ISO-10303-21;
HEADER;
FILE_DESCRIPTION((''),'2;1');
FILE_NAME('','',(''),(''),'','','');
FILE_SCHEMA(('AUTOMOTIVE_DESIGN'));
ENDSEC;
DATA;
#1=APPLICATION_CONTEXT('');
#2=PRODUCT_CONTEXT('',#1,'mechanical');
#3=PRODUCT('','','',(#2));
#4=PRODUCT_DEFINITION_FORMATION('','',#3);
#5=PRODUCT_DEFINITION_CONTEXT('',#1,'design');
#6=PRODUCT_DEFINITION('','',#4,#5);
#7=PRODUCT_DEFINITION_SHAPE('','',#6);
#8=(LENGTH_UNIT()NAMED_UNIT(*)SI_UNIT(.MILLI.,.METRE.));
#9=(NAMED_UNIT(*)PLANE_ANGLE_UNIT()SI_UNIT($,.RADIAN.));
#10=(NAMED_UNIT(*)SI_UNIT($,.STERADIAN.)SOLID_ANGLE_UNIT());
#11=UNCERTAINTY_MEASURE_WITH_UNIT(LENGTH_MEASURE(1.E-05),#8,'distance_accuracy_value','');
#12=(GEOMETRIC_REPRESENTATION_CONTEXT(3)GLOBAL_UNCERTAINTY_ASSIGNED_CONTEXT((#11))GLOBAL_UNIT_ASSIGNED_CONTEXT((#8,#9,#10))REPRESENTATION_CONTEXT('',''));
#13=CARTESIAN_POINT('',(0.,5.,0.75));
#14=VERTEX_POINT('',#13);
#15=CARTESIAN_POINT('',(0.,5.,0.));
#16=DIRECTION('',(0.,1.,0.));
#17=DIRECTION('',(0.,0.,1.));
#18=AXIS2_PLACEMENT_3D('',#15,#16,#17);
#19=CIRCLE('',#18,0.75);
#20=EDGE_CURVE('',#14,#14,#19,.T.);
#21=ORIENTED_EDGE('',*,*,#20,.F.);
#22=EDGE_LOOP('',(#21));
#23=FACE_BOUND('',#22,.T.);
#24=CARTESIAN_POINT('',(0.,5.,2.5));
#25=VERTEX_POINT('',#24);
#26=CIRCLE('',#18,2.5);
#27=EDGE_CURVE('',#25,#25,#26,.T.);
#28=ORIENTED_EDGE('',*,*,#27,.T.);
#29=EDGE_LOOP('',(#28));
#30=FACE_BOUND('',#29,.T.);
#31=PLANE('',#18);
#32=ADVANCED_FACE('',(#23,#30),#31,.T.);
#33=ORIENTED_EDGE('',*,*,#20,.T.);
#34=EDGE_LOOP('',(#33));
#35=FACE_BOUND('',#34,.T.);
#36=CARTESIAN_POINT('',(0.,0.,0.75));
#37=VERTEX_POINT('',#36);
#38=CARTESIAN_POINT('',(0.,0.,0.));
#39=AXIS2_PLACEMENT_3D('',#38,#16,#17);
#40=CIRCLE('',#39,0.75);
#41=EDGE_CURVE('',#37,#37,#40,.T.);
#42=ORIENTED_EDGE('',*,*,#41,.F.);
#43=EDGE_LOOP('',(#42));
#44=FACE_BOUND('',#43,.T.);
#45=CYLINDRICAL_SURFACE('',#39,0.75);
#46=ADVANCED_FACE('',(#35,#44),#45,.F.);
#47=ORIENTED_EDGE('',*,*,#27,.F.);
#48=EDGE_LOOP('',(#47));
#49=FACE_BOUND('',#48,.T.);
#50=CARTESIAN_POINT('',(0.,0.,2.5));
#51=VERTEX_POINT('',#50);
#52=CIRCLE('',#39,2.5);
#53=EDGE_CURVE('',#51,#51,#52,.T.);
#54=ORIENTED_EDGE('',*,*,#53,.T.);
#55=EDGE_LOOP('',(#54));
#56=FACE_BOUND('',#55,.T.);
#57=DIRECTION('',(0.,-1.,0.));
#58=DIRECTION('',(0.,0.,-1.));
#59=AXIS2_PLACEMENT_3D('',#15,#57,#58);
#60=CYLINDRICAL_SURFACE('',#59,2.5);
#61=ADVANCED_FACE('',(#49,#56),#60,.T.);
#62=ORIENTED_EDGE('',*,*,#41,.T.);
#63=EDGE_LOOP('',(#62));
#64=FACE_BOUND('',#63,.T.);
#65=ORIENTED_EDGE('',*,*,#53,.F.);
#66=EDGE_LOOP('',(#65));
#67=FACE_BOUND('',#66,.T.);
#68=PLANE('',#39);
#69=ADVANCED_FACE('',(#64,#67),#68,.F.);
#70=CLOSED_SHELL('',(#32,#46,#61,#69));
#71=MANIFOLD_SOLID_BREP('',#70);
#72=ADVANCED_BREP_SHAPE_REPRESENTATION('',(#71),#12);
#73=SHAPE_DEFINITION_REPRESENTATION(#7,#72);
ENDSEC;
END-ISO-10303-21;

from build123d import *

# Parameters (mm, degrees)
SKETCH1_R           = 2.5
BOSS_EXTRUDE1_DEPTH = 5
SKETCH2_R           = 0.75
CUT_EXTRUDE1_DEPTH  = 5


with BuildPart() as part:
    # Sketch1 → Boss-Extrude1 (new body)
    with BuildSketch(Plane(origin=(0, 0, 0), x_dir=(1, 0, 0), z_dir=(0, 1, 0))):
        with Locations(Location((0, 0, 0), (0, 0, 270))):
            Circle(SKETCH1_R)
    extrude(amount=BOSS_EXTRUDE1_DEPTH)

    # Sketch2 → Cut-Extrude1 (cut)
    with BuildSketch(Plane(origin=(0, 5, 0), x_dir=(1, 0, 0), z_dir=(0, 1, 0))):
        with Locations(Location((0, 0, 0), (0, 0, 270))):
            Circle(SKETCH2_R)
    extrude(amount=-CUT_EXTRUDE1_DEPTH, mode=Mode.SUBTRACT)


solid = part.part
